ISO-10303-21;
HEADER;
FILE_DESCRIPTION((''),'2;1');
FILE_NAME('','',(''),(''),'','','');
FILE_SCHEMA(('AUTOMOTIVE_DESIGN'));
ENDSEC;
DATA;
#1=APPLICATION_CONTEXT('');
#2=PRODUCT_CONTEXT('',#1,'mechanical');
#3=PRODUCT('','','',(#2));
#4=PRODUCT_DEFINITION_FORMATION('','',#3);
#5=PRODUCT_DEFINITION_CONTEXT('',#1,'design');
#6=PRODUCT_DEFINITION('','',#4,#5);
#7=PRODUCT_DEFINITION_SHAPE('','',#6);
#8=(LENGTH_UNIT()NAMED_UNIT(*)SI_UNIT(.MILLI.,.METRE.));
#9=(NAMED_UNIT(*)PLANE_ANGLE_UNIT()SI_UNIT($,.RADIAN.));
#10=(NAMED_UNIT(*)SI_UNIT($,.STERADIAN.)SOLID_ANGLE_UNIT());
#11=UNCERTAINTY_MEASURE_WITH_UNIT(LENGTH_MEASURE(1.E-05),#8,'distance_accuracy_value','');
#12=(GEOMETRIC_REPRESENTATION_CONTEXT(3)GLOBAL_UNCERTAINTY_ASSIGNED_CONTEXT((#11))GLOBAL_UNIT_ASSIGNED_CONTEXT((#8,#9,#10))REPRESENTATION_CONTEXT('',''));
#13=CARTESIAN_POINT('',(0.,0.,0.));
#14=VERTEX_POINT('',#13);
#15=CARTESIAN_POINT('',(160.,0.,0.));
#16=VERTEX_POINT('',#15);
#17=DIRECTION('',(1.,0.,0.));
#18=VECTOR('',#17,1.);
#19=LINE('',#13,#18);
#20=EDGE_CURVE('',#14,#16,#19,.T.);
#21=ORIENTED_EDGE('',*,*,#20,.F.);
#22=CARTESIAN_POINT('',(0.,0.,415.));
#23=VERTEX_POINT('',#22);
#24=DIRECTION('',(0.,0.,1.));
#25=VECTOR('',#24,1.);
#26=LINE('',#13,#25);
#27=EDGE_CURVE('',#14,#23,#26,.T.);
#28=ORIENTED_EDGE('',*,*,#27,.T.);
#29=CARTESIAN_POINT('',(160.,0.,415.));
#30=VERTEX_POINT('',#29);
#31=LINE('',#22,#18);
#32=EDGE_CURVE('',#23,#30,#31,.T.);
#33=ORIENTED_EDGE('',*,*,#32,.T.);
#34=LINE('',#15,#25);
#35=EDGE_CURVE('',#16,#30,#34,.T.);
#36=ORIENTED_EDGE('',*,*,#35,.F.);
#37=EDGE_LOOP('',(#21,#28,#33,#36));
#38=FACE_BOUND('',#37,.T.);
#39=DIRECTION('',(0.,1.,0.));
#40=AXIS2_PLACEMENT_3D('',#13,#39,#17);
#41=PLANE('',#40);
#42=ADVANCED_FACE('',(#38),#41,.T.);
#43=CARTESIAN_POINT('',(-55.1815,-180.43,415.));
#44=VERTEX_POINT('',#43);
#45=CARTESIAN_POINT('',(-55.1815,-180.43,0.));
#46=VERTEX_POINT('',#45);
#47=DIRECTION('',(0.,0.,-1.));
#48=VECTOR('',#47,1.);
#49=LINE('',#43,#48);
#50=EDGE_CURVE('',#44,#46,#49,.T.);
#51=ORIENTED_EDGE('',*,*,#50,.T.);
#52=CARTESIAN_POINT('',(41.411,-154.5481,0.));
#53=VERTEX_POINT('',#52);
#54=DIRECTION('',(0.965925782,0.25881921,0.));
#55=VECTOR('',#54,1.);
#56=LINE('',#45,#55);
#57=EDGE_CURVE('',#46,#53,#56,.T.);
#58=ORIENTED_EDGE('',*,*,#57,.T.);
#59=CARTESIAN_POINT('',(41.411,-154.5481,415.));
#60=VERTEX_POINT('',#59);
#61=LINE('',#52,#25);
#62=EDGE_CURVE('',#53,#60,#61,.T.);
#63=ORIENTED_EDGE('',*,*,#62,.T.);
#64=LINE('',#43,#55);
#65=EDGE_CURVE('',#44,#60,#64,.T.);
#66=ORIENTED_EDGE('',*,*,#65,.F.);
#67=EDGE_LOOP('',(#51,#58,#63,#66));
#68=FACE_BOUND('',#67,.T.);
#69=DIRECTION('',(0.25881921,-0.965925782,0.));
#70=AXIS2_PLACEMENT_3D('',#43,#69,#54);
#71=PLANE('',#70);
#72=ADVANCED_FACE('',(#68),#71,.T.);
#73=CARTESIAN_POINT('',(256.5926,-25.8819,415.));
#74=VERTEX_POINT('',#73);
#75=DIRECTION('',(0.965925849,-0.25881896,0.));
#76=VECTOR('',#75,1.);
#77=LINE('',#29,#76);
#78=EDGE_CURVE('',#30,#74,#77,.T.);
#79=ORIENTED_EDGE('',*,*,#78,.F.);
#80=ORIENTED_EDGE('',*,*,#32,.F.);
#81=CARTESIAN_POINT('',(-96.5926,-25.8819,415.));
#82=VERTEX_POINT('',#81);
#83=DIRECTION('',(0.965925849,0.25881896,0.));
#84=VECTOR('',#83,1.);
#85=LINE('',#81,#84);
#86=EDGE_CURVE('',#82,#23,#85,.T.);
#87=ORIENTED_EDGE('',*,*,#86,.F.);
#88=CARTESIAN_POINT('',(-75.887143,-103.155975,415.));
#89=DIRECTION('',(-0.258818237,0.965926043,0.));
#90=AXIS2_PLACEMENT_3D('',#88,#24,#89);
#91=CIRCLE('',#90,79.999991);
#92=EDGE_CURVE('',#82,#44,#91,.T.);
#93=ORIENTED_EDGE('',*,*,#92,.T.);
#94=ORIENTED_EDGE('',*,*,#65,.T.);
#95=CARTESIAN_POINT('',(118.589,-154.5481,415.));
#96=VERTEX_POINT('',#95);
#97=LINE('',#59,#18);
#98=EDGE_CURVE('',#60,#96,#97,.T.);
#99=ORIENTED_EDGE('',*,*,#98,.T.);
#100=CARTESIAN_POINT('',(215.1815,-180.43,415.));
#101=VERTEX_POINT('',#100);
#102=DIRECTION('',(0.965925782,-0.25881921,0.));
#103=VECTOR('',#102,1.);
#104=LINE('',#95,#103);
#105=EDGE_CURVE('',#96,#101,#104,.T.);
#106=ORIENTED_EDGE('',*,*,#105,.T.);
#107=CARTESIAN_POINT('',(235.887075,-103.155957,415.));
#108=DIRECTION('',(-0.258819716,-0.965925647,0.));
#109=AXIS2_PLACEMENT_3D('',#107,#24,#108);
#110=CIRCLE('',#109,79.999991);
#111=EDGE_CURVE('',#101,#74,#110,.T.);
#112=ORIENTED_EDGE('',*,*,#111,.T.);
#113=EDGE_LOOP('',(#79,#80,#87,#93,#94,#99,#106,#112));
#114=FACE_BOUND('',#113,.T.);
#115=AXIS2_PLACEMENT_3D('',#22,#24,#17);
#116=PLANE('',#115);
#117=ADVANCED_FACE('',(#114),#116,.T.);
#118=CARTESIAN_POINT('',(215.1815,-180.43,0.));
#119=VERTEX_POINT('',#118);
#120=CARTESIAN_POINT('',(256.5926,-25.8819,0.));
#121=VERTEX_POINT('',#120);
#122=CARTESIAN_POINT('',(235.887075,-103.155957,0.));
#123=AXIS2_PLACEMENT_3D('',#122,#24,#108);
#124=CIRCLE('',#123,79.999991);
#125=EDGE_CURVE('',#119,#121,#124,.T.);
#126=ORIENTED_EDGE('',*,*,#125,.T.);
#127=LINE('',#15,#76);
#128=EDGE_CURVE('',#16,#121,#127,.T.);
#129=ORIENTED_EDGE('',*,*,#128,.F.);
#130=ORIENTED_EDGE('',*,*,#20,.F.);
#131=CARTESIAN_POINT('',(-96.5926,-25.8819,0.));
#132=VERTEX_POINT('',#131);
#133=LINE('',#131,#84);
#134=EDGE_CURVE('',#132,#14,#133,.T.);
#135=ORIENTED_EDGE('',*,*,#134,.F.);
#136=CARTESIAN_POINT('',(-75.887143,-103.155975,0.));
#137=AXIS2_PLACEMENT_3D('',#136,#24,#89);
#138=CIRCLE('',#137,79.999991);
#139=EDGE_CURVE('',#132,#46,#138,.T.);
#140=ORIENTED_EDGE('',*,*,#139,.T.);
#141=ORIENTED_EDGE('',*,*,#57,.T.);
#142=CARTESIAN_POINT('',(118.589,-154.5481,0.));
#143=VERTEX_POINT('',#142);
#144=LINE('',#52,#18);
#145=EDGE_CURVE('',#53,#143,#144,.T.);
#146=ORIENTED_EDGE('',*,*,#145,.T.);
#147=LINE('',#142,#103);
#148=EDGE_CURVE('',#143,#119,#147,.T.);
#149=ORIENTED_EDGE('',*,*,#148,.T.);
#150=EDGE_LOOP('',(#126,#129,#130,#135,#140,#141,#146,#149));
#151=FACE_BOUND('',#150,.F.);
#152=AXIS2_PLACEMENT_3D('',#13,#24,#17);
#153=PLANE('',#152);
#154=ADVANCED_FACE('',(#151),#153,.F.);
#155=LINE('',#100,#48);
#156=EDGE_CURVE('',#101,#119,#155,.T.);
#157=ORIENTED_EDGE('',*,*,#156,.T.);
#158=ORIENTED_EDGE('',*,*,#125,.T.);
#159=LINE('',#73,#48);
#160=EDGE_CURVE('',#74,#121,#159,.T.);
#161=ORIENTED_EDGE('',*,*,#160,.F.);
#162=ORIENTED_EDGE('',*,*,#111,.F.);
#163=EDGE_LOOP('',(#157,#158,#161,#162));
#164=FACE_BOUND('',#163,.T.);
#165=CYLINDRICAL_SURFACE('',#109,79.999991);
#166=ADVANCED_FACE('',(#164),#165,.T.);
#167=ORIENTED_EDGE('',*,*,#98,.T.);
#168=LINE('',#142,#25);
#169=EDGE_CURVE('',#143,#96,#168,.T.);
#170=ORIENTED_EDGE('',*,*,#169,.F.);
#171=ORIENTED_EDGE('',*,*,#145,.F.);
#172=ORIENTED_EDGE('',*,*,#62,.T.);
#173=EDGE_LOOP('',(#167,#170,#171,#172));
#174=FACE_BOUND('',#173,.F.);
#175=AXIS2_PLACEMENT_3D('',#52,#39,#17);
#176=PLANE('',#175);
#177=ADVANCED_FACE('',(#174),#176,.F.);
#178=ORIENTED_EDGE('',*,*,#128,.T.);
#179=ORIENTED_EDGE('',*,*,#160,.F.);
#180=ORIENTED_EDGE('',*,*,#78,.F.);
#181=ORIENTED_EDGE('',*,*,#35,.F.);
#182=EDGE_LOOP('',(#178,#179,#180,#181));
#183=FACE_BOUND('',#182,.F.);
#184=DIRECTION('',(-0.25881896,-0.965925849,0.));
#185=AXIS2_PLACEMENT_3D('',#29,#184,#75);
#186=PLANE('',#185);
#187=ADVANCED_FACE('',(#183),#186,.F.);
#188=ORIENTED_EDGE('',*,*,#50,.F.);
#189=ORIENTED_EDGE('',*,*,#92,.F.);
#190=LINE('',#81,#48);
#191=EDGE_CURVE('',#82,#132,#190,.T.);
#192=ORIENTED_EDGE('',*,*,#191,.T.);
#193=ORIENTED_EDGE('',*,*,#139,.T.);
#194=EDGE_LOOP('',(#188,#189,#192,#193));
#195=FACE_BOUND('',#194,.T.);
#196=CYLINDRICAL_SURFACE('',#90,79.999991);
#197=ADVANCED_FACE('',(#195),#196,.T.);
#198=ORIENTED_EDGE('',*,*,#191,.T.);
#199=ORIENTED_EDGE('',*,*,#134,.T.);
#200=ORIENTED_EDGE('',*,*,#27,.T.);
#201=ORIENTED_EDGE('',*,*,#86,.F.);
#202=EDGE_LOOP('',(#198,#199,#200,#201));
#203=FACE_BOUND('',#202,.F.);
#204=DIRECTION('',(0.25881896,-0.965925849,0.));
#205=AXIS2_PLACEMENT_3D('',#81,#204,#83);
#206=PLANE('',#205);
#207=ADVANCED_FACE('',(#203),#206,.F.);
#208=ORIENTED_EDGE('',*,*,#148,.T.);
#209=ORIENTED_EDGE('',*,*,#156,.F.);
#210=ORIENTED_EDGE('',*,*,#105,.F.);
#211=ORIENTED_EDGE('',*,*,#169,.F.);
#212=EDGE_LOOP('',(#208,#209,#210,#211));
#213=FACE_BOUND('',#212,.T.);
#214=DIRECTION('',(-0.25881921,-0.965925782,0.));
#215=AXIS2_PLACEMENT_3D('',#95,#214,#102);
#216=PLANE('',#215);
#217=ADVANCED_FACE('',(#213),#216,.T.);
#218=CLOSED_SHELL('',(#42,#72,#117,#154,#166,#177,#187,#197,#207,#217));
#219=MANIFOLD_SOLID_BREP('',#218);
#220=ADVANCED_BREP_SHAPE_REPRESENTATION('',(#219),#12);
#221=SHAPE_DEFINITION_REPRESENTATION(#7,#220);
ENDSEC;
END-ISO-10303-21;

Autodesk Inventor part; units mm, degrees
ref_plane "YZ Plane" through (0, 0, 0) normal (1, 0, 0) x (0, 1, 0)
ref_plane "XZ Plane" through (0, 0, 0) normal (0, 1, 0) x (-1, 0, 0)
ref_plane "XY Plane" through (0, 0, 0) normal (0, 0, 1) x (1, 0, 0)
sketch "Sketch1" plane through (0, 0, 0) normal (0, 0, 1) x (1, 0, 0)
  line L0 (0, 0) -> (160, 0)
  line L1 (160, 0) -> (118.589, -154.5481)
  line L2 (0, 0) -> (41.411, -154.5481)
  line L3 (41.411, -154.5481) -> (118.589, -154.5481)
  dimension "d4" = 160
  dimension "d5" = 160
  dimension "d6" = 160
  dimension "d7" = 75
extrude "Extrusion1" add sketch "Sketch1" along normal blind 415
sketch "Sketch2" plane through (0, 0, 415) normal (0, 0, 1) x (1, 0, 0)
  circle A0 centre (235.8871, -103.156) radius 80 construction
  circle A1 centre (-75.8871, -103.156) radius 80 construction
  line L0 (160, 0) -> (0, 0) projected
  line L1 (-96.5926, -25.8819) -> (0, 0)
  line L2 (0, 0) -> (41.411, -154.5481) projected
  line L3 (-55.1815, -180.43) -> (41.411, -154.5481)
  line L4 (0, 0) -> (41.411, -154.5481)
  arc A2 (-96.5926, -25.8819) -> (-55.1815, -180.43) centre (-75.8871, -103.156) ccw
  line L5 (41.411, -154.5481) -> (118.589, -154.5481) projected
  line L6 (118.589, -154.5481) -> (215.1815, -180.43)
  line L7 (160, 0) -> (256.5926, -25.8819)
  arc A3 (215.1815, -180.43) -> (256.5926, -25.8819) centre (235.8871, -103.156) ccw
  line L8 (160, 0) -> (118.589, -154.5481)
  dimension "d8" = 160
  dimension "d9" = 160
  dimension "d10" = 100
  dimension "d13" = 100
extrude "Extrusion2" add sketch "Sketch2" against normal blind 415 contours L7 A3 L6 L8 | L2 L3 A2 L1
properties part number "CA003" material "ABS Plastic"
